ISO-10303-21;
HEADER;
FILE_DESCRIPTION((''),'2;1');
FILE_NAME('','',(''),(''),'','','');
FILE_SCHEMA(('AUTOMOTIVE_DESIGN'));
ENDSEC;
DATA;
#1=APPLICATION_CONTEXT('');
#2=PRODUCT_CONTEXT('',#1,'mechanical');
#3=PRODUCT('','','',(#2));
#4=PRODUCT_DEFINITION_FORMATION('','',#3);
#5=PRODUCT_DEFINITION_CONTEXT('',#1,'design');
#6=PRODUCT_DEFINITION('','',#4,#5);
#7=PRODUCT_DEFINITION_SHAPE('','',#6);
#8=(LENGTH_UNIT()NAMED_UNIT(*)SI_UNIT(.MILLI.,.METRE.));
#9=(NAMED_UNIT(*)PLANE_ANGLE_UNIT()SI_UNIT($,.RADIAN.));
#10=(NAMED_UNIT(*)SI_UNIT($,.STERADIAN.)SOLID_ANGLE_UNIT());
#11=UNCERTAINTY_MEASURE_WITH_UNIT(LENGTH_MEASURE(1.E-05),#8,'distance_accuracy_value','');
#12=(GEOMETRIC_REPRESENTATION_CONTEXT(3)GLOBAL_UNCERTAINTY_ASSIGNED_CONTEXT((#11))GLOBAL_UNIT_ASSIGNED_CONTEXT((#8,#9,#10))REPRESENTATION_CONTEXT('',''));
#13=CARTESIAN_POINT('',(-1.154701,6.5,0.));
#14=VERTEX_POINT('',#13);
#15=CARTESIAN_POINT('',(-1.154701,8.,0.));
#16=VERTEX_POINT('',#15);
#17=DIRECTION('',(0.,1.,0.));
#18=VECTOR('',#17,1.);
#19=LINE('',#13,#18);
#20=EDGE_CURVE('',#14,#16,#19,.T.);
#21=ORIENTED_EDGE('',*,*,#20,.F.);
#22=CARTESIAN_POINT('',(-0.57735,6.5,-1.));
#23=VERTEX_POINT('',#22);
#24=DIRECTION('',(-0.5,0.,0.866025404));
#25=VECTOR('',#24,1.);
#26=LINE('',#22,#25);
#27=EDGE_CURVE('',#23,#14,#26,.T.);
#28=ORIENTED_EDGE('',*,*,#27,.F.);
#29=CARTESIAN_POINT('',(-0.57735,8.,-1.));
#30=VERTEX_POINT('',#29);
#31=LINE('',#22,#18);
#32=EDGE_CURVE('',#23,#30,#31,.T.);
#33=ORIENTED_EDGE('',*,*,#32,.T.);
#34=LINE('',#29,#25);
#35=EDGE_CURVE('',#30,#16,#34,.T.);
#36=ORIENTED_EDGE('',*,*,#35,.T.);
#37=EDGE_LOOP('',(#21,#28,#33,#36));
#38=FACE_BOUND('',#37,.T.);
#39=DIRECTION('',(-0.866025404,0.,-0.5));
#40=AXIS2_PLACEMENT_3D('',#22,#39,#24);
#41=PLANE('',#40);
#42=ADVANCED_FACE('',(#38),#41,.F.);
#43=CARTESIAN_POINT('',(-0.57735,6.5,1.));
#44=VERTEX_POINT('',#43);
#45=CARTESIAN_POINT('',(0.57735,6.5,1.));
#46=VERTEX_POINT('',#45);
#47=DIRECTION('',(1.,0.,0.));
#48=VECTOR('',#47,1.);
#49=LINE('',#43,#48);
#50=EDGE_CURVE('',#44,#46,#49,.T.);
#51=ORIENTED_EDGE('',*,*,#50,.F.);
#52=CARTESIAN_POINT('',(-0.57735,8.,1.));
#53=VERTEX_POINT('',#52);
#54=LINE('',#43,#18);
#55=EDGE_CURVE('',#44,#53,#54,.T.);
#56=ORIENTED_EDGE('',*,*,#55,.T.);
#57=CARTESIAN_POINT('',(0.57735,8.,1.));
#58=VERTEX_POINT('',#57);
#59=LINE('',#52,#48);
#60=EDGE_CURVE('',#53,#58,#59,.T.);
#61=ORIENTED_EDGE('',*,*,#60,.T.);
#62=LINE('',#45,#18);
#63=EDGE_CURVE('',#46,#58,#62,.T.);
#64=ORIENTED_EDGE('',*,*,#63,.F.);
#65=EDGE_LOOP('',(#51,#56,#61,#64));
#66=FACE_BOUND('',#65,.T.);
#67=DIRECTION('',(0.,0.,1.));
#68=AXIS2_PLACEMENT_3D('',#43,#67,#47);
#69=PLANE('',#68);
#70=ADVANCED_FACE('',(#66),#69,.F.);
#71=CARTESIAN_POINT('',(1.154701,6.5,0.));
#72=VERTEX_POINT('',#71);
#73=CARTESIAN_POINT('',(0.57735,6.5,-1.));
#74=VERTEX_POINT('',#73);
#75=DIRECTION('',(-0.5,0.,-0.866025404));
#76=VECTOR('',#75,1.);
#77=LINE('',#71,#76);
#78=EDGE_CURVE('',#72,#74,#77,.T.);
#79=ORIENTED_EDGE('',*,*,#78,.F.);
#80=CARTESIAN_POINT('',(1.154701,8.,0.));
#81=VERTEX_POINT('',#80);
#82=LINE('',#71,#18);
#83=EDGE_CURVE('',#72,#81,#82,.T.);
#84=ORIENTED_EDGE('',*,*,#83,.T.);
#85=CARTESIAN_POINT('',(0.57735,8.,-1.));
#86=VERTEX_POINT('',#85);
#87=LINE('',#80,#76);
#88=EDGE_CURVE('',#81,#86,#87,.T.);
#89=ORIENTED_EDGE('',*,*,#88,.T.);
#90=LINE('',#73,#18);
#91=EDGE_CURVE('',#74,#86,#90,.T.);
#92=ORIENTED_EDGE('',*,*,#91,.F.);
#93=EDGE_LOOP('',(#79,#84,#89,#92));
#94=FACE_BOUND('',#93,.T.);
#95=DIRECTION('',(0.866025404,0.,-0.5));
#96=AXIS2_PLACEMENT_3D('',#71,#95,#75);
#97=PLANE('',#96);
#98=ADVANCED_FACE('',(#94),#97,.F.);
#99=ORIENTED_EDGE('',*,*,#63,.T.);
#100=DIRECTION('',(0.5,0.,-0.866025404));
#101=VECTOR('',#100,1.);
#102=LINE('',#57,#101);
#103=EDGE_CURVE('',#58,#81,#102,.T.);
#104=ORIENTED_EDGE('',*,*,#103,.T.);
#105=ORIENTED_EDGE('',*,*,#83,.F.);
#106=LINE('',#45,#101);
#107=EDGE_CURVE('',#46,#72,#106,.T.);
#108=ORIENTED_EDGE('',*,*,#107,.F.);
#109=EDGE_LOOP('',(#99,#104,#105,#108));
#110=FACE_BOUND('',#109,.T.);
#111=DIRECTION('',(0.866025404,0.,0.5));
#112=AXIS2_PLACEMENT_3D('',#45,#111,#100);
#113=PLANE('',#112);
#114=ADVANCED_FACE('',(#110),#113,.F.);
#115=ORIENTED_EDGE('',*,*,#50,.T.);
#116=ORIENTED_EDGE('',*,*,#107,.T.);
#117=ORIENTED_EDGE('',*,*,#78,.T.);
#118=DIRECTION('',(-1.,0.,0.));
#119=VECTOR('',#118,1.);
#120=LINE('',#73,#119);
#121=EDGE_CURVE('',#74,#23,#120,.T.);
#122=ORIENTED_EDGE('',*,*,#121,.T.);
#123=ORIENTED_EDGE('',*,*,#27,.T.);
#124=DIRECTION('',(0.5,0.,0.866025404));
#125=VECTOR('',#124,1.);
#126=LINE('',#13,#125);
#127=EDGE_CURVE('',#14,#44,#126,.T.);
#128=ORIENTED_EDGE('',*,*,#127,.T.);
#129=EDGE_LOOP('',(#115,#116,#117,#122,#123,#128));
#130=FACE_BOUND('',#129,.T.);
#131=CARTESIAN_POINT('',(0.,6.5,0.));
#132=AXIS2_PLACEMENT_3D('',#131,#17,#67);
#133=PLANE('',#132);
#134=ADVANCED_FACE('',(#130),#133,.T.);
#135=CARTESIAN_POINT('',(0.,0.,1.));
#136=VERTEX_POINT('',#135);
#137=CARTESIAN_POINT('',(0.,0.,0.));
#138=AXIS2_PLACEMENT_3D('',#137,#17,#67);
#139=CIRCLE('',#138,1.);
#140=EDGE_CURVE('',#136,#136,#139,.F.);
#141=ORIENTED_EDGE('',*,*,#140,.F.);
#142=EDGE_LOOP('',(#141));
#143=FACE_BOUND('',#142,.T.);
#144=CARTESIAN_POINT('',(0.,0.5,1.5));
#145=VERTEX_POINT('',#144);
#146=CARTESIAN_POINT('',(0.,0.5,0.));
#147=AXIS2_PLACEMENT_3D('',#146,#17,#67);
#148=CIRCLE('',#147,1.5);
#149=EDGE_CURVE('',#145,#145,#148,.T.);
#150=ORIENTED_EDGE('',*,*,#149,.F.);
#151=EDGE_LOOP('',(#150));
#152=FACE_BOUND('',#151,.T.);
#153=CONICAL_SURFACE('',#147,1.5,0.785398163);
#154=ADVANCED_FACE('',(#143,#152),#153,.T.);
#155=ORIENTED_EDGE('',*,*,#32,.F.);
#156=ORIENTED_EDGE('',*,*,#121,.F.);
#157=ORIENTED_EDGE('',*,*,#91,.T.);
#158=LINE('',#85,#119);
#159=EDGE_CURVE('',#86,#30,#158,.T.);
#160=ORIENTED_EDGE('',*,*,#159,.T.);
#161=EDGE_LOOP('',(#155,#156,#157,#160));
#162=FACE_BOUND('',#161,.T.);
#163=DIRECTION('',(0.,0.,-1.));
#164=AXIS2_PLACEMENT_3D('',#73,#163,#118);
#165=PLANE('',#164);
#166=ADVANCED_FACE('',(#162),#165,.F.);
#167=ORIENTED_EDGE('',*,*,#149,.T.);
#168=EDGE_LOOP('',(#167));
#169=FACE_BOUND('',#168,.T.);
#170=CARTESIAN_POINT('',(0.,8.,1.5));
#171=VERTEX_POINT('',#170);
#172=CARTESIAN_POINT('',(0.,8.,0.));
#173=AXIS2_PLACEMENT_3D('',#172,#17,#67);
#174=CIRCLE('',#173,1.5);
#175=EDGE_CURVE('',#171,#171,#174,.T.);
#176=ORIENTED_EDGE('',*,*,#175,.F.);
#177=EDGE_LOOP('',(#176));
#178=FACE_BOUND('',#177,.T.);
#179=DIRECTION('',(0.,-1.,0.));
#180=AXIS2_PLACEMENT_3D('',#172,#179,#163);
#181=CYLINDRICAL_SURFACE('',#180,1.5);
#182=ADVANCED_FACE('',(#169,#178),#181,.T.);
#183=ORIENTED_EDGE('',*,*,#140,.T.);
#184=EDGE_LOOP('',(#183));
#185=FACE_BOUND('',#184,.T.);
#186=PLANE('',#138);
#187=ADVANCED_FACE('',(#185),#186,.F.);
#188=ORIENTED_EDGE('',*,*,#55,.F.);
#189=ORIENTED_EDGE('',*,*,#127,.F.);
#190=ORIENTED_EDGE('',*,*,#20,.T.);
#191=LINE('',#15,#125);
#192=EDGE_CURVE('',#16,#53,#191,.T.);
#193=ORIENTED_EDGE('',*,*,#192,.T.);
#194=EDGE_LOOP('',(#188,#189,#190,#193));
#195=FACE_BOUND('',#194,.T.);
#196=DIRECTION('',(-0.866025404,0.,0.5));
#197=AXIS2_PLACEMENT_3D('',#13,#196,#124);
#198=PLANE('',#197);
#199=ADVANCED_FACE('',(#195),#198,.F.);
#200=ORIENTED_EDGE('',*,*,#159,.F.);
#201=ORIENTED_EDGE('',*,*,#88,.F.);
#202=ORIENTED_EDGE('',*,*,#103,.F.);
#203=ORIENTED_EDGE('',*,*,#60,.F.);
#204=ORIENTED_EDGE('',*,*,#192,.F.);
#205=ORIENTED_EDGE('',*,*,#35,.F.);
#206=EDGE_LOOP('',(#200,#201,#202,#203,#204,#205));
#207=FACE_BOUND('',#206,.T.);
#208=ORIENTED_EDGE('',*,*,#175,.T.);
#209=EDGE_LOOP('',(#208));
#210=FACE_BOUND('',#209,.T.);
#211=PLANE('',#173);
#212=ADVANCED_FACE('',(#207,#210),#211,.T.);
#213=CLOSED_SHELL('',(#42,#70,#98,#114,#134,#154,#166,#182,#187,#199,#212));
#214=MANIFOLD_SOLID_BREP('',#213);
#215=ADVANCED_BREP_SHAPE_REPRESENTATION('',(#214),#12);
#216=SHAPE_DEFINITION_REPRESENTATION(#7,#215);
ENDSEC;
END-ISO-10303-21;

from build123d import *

# Parameters (mm, degrees)
SKETCH1_R           = 1.5
BOSS_EXTRUDE1_DEPTH = 8
CHAMFER1_SIZE       = 0.5
CUT_EXTRUDE1_DEPTH  = 1.5


with BuildPart() as part:
    # Sketch1 → Boss-Extrude1 (new body)
    with BuildSketch(Plane(origin=(0, 0, 0), x_dir=(1, 0, 0), z_dir=(0, 1, 0))):
        Circle(SKETCH1_R)
    extrude(amount=BOSS_EXTRUDE1_DEPTH)

    # Chamfer1
    chamfer1_edges = [part.edges().sort_by_distance(p)[0] for p in [
        (-1.5, 0, 0),
    ]]
    chamfer(chamfer1_edges, length=CHAMFER1_SIZE)

    # Sketch2 → Cut-Extrude1 (cut)
    with BuildSketch(Plane(origin=(0, 8, 0), x_dir=(1, 0, 0), z_dir=(0, 1, 0))):
        Polygon((0.577350269, -1), (1.154700538, 0), (0.577350269, 1), (-0.577350269, 1), (-1.154700538, 0), (-0.577350269, -1), align=None)
    extrude(amount=-CUT_EXTRUDE1_DEPTH, mode=Mode.SUBTRACT)


solid = part.part
